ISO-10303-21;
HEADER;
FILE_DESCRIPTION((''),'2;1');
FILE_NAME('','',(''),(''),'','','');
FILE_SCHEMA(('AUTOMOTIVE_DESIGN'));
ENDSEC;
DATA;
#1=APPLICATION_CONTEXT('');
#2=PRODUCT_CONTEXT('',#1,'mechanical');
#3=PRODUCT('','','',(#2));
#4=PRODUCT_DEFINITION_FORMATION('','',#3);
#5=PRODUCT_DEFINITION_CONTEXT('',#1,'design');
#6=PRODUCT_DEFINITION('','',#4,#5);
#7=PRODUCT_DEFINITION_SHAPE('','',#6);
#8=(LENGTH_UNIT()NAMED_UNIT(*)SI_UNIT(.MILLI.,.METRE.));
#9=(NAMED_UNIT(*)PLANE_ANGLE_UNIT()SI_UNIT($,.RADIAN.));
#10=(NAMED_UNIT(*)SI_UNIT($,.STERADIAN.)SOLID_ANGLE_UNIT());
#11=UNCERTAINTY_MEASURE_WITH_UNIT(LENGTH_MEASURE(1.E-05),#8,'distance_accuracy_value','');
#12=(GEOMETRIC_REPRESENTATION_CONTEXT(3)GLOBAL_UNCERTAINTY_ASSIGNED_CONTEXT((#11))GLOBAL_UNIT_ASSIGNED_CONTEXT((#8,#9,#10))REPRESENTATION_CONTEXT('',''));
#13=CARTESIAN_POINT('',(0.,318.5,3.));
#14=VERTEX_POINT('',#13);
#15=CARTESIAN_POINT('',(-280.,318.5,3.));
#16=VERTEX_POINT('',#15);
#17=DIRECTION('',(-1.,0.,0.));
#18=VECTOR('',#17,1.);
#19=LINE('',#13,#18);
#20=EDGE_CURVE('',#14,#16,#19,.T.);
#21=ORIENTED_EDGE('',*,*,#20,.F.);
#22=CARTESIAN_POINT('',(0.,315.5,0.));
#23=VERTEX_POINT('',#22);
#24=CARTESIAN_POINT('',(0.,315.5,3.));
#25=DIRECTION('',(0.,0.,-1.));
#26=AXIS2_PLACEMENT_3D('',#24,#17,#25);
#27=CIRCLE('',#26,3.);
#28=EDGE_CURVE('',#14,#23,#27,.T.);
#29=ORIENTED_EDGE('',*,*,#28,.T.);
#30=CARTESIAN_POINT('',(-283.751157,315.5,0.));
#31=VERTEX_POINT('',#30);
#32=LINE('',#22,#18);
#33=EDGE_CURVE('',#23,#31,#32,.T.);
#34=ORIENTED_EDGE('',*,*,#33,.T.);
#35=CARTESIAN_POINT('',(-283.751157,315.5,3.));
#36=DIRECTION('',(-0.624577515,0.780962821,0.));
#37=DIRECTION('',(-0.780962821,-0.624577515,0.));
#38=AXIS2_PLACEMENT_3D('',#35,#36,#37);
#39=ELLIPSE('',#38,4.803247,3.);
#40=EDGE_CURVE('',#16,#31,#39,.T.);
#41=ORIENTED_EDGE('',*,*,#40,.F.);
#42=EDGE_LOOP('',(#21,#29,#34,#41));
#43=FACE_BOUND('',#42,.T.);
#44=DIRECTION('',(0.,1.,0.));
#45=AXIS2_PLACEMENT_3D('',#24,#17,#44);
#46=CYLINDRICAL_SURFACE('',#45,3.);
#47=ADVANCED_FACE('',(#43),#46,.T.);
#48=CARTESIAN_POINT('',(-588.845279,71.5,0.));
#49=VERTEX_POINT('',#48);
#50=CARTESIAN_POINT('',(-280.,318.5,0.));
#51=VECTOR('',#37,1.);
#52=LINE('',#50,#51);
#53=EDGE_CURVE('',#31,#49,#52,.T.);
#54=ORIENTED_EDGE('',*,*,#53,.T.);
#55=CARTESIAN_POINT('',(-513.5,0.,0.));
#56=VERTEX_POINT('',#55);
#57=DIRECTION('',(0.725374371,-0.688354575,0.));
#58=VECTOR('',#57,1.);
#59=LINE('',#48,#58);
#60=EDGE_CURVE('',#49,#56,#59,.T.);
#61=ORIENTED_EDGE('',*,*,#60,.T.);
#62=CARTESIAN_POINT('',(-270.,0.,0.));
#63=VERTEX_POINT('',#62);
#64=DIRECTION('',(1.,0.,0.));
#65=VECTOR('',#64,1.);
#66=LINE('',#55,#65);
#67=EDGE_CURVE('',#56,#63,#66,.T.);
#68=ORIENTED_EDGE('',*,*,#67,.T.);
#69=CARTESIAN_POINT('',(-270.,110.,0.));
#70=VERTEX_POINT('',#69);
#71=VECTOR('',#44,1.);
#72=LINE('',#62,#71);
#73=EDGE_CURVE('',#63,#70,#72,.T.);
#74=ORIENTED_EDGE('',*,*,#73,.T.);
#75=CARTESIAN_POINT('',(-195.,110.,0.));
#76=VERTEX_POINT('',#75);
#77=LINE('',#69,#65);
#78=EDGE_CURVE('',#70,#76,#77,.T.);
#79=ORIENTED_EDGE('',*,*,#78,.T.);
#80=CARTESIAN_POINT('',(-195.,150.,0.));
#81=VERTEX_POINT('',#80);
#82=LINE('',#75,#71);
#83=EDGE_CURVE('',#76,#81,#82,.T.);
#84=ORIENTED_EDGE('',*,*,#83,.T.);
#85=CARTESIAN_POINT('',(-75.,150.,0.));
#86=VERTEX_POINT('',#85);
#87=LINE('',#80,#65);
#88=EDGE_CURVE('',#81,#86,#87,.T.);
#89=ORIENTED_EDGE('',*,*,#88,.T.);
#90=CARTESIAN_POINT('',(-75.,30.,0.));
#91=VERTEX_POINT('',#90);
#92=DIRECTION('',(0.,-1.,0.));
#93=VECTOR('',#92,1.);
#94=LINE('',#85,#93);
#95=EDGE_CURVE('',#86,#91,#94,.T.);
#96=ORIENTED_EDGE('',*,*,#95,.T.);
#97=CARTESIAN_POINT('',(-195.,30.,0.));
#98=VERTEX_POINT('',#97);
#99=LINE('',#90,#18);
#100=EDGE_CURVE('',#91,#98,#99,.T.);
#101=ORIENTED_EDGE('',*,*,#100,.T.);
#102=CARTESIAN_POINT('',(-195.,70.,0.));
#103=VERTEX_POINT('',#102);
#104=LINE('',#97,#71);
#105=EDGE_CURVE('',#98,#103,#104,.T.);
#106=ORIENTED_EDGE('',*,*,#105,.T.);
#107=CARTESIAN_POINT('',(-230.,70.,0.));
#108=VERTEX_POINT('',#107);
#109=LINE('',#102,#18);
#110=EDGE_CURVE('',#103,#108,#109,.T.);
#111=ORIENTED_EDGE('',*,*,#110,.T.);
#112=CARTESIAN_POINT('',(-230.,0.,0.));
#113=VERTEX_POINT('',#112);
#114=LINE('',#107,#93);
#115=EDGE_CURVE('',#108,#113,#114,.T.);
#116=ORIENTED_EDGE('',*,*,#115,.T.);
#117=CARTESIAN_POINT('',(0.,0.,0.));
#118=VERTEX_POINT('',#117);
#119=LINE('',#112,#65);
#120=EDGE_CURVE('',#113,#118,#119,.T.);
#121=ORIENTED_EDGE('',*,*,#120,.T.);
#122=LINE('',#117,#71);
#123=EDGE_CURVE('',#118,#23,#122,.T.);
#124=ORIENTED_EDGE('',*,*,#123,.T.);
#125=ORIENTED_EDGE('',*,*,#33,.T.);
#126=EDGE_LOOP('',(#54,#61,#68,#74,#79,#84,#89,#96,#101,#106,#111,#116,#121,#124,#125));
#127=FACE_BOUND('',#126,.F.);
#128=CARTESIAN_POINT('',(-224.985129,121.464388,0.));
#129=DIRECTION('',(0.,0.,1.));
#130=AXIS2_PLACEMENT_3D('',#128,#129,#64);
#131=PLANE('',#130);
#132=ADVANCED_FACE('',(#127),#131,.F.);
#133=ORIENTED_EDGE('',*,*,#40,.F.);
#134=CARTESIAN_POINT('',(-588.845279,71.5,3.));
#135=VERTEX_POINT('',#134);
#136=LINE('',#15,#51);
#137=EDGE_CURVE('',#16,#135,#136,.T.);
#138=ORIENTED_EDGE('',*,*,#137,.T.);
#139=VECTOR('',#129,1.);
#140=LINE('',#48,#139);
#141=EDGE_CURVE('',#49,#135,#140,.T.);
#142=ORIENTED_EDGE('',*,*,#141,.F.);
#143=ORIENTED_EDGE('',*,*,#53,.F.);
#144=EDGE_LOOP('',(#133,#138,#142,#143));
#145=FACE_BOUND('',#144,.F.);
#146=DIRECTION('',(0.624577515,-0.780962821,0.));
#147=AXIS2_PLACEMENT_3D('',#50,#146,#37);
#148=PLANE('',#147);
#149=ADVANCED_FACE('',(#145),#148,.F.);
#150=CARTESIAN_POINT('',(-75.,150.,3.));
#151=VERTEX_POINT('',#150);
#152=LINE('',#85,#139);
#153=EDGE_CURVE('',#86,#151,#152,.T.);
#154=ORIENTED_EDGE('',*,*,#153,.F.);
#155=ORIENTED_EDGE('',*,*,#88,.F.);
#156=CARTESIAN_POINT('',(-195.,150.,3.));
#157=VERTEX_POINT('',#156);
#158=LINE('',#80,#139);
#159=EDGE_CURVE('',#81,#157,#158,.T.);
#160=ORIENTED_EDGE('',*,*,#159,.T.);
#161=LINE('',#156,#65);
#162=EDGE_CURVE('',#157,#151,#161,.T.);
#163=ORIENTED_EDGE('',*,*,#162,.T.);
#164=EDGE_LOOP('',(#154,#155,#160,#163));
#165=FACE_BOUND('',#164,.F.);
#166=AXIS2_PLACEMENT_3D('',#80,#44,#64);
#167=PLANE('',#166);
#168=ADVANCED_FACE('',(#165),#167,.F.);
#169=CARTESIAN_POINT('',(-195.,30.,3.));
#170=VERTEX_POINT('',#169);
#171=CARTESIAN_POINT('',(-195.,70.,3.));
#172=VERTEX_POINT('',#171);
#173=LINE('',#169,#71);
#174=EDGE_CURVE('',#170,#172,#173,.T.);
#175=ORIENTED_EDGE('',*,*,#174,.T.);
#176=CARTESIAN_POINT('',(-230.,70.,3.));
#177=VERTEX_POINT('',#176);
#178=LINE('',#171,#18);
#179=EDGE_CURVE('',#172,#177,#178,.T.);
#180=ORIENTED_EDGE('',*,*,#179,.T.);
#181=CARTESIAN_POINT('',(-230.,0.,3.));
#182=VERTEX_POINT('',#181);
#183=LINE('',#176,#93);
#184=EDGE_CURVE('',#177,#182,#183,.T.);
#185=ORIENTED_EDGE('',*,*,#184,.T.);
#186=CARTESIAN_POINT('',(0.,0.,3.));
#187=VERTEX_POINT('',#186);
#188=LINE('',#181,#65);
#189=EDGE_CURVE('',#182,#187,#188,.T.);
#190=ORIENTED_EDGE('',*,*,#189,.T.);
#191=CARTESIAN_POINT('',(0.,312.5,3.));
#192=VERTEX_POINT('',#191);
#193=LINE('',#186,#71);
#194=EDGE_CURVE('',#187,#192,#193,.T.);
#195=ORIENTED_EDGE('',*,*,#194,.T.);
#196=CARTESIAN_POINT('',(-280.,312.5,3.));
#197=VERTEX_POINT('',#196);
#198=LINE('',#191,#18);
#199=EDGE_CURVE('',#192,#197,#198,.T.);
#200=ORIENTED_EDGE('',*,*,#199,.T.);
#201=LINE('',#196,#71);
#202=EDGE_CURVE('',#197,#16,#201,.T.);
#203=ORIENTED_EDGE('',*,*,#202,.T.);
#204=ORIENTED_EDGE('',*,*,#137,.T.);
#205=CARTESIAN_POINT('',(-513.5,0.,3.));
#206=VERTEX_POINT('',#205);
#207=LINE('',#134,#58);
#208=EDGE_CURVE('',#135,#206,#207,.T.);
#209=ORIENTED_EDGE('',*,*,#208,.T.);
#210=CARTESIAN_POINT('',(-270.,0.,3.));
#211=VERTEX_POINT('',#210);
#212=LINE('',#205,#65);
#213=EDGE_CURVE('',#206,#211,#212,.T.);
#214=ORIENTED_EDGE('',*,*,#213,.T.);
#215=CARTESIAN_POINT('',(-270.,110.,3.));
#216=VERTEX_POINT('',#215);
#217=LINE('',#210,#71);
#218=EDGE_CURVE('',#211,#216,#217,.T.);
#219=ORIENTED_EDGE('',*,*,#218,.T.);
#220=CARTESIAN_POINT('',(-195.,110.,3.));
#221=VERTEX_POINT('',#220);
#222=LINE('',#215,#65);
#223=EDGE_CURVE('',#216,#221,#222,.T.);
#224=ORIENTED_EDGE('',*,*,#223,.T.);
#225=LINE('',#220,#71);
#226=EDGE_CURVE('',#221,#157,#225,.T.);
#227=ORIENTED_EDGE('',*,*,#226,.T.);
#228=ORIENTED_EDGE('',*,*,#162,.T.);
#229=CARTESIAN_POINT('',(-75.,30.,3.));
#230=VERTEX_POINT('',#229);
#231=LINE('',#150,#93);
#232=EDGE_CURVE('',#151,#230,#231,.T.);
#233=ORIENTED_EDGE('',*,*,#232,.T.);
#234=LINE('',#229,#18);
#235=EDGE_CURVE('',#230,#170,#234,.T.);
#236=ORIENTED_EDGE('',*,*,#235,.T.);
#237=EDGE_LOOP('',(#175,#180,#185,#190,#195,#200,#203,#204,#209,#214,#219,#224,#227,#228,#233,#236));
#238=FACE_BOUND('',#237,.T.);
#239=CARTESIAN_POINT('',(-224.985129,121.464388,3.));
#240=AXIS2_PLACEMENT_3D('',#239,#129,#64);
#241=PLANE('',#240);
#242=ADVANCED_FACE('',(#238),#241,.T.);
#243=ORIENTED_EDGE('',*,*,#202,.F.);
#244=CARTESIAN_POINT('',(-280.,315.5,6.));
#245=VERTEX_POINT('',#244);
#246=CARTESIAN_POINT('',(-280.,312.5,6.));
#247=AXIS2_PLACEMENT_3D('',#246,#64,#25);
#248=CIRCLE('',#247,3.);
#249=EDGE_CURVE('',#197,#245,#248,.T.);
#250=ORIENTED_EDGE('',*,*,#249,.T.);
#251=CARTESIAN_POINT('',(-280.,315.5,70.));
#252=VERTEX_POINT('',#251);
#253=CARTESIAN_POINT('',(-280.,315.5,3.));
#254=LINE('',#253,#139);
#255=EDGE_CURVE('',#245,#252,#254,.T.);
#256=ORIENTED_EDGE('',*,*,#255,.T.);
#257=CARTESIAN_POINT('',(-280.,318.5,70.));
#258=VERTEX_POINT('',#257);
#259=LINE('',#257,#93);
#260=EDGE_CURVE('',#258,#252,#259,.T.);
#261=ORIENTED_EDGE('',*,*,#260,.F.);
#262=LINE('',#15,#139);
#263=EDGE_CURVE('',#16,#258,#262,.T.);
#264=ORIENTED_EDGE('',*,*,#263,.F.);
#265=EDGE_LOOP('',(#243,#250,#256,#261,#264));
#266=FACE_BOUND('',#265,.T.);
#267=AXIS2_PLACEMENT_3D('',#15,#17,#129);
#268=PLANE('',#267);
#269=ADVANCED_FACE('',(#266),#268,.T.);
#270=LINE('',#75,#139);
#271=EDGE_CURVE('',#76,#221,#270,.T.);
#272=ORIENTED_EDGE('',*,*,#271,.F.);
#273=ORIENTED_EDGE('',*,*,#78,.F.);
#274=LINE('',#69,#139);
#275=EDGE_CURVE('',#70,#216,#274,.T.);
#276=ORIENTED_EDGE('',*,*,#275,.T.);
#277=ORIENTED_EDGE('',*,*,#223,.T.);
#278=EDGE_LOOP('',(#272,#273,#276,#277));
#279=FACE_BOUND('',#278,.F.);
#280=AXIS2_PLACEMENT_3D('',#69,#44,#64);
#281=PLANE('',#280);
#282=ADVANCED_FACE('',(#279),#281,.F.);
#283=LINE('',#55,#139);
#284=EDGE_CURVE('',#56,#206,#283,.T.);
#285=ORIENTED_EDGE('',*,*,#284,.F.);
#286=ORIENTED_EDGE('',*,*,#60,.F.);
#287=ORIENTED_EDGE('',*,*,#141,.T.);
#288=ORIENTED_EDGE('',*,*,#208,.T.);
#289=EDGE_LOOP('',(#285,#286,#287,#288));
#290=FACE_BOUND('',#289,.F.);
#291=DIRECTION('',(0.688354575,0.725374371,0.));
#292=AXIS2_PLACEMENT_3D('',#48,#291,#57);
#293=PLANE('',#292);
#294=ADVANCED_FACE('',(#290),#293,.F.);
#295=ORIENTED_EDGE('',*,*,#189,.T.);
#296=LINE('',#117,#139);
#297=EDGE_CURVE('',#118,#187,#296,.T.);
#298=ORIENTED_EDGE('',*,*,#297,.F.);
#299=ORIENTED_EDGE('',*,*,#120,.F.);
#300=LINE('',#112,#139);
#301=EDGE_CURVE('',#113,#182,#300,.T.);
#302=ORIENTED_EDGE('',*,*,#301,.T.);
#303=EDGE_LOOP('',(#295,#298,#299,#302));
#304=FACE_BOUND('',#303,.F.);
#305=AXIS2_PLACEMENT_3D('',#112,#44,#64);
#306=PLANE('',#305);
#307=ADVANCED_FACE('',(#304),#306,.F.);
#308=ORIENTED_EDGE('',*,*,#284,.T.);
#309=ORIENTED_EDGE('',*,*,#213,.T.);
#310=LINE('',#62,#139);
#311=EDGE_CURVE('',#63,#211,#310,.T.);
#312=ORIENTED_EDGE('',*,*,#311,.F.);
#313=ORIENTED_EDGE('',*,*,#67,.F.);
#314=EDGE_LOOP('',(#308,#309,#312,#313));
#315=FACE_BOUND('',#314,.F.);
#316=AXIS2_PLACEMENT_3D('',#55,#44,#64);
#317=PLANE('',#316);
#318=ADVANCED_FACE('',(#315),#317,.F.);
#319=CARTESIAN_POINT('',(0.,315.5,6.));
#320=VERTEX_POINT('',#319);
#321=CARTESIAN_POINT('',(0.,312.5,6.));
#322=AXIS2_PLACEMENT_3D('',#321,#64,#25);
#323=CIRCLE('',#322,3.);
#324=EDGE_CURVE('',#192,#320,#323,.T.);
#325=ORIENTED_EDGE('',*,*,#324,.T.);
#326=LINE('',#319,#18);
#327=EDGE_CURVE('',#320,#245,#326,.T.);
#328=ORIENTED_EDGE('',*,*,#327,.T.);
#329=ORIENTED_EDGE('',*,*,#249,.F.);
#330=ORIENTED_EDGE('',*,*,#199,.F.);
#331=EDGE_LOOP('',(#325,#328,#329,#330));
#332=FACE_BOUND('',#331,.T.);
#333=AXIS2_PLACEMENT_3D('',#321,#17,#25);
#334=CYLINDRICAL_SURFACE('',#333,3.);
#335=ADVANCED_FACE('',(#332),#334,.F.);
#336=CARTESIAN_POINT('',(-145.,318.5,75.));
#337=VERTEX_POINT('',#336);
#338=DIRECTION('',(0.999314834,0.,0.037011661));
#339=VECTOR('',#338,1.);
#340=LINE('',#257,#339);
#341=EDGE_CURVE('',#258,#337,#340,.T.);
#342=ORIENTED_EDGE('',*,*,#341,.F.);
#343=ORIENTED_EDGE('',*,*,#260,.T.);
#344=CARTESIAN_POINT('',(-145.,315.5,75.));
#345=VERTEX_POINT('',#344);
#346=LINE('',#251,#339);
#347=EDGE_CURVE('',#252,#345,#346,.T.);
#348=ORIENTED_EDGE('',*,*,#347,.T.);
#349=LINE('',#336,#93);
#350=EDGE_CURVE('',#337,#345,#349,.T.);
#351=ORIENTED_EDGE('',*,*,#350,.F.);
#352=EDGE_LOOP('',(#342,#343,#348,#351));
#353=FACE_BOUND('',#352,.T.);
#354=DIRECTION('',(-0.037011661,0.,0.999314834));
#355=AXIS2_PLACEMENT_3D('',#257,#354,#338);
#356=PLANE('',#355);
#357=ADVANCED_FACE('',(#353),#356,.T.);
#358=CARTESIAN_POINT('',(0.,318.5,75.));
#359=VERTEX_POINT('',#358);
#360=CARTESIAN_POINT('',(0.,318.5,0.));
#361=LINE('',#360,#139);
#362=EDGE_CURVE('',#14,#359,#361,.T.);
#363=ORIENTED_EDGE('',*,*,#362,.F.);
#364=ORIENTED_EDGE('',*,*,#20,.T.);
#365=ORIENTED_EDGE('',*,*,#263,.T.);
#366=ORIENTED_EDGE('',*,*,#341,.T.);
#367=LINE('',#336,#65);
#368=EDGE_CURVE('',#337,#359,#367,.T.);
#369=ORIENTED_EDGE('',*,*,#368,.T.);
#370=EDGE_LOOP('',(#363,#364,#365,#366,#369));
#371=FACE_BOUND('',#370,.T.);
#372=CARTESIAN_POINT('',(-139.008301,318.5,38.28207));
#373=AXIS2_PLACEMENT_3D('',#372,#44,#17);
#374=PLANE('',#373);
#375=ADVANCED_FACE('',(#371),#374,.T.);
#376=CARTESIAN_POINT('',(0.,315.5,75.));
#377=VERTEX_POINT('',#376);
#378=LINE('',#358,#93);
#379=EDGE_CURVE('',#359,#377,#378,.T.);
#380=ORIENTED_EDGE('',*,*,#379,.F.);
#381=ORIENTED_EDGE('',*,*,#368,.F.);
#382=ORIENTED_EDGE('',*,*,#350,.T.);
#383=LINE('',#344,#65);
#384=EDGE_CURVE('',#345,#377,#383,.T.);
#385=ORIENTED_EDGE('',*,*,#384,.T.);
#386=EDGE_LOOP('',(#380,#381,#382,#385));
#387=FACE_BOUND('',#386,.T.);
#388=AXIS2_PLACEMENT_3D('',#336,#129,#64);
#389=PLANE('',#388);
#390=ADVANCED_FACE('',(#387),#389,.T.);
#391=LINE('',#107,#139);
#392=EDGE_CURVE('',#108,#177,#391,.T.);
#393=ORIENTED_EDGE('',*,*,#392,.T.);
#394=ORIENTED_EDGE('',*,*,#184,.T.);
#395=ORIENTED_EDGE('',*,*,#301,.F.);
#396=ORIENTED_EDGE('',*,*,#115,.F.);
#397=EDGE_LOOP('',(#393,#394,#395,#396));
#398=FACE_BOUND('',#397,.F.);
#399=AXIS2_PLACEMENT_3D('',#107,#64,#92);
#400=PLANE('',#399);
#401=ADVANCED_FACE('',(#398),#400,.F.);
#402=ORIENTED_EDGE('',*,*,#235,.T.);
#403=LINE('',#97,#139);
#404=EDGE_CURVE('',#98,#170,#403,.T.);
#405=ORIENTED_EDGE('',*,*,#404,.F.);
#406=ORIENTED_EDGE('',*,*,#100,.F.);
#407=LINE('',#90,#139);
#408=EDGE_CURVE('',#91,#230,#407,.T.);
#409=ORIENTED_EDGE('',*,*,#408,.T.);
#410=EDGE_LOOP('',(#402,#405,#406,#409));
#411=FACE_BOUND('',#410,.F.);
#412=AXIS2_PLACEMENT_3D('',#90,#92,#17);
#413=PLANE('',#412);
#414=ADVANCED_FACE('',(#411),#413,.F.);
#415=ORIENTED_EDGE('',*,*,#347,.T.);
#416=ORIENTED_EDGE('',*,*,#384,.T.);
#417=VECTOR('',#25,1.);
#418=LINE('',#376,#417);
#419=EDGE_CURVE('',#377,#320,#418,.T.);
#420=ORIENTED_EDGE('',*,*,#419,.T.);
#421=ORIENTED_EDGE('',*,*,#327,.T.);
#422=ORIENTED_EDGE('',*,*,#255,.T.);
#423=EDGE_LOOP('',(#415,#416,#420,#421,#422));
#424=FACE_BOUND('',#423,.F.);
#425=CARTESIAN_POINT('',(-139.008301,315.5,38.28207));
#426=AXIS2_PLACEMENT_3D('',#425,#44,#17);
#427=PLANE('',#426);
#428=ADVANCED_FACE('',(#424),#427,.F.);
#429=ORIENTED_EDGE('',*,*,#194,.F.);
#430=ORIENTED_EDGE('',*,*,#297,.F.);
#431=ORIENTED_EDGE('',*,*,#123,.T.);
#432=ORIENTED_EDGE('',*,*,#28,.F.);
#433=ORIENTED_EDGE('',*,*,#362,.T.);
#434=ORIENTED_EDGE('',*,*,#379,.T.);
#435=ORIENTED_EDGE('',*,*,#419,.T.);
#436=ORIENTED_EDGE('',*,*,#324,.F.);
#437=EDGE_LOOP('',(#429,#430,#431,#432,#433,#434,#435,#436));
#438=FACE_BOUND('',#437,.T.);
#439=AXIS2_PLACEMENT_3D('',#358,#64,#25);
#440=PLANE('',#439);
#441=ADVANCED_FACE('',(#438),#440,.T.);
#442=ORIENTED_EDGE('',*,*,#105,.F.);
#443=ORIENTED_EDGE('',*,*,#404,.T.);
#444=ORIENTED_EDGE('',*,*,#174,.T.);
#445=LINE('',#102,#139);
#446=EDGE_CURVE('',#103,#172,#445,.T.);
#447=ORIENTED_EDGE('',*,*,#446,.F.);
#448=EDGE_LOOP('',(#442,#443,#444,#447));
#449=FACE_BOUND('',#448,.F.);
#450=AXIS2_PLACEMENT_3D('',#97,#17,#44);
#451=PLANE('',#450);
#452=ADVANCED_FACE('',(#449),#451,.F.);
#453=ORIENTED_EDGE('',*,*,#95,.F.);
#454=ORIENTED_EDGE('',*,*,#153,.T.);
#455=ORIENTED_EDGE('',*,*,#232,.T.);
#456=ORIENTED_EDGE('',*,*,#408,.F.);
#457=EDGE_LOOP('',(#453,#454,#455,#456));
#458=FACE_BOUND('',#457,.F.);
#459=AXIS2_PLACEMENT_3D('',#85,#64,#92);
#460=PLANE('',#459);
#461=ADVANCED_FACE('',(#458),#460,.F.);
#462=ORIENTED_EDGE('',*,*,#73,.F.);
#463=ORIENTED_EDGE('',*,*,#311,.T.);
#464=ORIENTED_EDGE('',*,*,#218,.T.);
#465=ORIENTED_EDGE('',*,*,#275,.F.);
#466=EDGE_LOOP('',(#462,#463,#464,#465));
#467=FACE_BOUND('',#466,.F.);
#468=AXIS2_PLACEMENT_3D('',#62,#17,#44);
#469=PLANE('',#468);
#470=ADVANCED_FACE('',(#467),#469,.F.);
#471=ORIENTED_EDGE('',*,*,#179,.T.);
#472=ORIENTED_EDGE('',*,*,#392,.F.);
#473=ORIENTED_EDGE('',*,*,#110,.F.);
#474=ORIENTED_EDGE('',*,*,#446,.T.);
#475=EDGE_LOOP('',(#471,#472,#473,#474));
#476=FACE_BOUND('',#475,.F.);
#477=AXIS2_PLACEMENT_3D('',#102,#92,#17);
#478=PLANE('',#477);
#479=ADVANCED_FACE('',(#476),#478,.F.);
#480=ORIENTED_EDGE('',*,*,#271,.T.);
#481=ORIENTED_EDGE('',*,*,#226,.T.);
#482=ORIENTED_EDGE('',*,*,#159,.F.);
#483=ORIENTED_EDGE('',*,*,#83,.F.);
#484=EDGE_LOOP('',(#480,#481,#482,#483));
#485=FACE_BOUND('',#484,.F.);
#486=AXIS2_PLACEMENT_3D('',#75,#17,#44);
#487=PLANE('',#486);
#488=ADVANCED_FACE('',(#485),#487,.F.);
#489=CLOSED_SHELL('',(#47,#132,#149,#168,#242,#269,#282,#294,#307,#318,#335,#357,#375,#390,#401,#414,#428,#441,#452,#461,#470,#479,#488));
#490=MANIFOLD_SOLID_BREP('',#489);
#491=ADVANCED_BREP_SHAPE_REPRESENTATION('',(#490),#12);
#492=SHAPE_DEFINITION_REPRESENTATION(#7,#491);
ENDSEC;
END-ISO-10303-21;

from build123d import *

# Parameters (mm, degrees)
F1_DEPTH = 3
F3_DEPTH = 3
F4_R     = 3


with BuildPart() as f1:
    # F0 (on Top) → F1 (new body)
    with BuildSketch(Plane.XY):
        Polygon((-230, 0), (0, 0), (0, 318.5), (-280, 318.5), (-588.845279, 71.5), (-513.5, 0), (-270, 0), (-270, 110), (-195, 110), (-195, 150), (-75, 150), (-75, 30), (-195, 30), (-195, 70), (-230, 70), align=None)
    extrude(amount=F1_DEPTH)

    # F2 (on face) → F3 (join)
    with BuildSketch(Plane(origin=(0, 318.5, 0), x_dir=(-1, 0, 0), z_dir=(0, 1, 0))):
        Polygon((0, 75), (0, 3), (280, 3), (280, 70), (145, 75), align=None)
    extrude(amount=-F3_DEPTH)

    # F4
    f4_edges = [f1.edges().sort_by_distance(p)[0] for p in [
        (-140, 315.5, 3),
        (-140, 318.5, 0),
    ]]
    fillet(f4_edges, radius=F4_R)


solid = f1.part
